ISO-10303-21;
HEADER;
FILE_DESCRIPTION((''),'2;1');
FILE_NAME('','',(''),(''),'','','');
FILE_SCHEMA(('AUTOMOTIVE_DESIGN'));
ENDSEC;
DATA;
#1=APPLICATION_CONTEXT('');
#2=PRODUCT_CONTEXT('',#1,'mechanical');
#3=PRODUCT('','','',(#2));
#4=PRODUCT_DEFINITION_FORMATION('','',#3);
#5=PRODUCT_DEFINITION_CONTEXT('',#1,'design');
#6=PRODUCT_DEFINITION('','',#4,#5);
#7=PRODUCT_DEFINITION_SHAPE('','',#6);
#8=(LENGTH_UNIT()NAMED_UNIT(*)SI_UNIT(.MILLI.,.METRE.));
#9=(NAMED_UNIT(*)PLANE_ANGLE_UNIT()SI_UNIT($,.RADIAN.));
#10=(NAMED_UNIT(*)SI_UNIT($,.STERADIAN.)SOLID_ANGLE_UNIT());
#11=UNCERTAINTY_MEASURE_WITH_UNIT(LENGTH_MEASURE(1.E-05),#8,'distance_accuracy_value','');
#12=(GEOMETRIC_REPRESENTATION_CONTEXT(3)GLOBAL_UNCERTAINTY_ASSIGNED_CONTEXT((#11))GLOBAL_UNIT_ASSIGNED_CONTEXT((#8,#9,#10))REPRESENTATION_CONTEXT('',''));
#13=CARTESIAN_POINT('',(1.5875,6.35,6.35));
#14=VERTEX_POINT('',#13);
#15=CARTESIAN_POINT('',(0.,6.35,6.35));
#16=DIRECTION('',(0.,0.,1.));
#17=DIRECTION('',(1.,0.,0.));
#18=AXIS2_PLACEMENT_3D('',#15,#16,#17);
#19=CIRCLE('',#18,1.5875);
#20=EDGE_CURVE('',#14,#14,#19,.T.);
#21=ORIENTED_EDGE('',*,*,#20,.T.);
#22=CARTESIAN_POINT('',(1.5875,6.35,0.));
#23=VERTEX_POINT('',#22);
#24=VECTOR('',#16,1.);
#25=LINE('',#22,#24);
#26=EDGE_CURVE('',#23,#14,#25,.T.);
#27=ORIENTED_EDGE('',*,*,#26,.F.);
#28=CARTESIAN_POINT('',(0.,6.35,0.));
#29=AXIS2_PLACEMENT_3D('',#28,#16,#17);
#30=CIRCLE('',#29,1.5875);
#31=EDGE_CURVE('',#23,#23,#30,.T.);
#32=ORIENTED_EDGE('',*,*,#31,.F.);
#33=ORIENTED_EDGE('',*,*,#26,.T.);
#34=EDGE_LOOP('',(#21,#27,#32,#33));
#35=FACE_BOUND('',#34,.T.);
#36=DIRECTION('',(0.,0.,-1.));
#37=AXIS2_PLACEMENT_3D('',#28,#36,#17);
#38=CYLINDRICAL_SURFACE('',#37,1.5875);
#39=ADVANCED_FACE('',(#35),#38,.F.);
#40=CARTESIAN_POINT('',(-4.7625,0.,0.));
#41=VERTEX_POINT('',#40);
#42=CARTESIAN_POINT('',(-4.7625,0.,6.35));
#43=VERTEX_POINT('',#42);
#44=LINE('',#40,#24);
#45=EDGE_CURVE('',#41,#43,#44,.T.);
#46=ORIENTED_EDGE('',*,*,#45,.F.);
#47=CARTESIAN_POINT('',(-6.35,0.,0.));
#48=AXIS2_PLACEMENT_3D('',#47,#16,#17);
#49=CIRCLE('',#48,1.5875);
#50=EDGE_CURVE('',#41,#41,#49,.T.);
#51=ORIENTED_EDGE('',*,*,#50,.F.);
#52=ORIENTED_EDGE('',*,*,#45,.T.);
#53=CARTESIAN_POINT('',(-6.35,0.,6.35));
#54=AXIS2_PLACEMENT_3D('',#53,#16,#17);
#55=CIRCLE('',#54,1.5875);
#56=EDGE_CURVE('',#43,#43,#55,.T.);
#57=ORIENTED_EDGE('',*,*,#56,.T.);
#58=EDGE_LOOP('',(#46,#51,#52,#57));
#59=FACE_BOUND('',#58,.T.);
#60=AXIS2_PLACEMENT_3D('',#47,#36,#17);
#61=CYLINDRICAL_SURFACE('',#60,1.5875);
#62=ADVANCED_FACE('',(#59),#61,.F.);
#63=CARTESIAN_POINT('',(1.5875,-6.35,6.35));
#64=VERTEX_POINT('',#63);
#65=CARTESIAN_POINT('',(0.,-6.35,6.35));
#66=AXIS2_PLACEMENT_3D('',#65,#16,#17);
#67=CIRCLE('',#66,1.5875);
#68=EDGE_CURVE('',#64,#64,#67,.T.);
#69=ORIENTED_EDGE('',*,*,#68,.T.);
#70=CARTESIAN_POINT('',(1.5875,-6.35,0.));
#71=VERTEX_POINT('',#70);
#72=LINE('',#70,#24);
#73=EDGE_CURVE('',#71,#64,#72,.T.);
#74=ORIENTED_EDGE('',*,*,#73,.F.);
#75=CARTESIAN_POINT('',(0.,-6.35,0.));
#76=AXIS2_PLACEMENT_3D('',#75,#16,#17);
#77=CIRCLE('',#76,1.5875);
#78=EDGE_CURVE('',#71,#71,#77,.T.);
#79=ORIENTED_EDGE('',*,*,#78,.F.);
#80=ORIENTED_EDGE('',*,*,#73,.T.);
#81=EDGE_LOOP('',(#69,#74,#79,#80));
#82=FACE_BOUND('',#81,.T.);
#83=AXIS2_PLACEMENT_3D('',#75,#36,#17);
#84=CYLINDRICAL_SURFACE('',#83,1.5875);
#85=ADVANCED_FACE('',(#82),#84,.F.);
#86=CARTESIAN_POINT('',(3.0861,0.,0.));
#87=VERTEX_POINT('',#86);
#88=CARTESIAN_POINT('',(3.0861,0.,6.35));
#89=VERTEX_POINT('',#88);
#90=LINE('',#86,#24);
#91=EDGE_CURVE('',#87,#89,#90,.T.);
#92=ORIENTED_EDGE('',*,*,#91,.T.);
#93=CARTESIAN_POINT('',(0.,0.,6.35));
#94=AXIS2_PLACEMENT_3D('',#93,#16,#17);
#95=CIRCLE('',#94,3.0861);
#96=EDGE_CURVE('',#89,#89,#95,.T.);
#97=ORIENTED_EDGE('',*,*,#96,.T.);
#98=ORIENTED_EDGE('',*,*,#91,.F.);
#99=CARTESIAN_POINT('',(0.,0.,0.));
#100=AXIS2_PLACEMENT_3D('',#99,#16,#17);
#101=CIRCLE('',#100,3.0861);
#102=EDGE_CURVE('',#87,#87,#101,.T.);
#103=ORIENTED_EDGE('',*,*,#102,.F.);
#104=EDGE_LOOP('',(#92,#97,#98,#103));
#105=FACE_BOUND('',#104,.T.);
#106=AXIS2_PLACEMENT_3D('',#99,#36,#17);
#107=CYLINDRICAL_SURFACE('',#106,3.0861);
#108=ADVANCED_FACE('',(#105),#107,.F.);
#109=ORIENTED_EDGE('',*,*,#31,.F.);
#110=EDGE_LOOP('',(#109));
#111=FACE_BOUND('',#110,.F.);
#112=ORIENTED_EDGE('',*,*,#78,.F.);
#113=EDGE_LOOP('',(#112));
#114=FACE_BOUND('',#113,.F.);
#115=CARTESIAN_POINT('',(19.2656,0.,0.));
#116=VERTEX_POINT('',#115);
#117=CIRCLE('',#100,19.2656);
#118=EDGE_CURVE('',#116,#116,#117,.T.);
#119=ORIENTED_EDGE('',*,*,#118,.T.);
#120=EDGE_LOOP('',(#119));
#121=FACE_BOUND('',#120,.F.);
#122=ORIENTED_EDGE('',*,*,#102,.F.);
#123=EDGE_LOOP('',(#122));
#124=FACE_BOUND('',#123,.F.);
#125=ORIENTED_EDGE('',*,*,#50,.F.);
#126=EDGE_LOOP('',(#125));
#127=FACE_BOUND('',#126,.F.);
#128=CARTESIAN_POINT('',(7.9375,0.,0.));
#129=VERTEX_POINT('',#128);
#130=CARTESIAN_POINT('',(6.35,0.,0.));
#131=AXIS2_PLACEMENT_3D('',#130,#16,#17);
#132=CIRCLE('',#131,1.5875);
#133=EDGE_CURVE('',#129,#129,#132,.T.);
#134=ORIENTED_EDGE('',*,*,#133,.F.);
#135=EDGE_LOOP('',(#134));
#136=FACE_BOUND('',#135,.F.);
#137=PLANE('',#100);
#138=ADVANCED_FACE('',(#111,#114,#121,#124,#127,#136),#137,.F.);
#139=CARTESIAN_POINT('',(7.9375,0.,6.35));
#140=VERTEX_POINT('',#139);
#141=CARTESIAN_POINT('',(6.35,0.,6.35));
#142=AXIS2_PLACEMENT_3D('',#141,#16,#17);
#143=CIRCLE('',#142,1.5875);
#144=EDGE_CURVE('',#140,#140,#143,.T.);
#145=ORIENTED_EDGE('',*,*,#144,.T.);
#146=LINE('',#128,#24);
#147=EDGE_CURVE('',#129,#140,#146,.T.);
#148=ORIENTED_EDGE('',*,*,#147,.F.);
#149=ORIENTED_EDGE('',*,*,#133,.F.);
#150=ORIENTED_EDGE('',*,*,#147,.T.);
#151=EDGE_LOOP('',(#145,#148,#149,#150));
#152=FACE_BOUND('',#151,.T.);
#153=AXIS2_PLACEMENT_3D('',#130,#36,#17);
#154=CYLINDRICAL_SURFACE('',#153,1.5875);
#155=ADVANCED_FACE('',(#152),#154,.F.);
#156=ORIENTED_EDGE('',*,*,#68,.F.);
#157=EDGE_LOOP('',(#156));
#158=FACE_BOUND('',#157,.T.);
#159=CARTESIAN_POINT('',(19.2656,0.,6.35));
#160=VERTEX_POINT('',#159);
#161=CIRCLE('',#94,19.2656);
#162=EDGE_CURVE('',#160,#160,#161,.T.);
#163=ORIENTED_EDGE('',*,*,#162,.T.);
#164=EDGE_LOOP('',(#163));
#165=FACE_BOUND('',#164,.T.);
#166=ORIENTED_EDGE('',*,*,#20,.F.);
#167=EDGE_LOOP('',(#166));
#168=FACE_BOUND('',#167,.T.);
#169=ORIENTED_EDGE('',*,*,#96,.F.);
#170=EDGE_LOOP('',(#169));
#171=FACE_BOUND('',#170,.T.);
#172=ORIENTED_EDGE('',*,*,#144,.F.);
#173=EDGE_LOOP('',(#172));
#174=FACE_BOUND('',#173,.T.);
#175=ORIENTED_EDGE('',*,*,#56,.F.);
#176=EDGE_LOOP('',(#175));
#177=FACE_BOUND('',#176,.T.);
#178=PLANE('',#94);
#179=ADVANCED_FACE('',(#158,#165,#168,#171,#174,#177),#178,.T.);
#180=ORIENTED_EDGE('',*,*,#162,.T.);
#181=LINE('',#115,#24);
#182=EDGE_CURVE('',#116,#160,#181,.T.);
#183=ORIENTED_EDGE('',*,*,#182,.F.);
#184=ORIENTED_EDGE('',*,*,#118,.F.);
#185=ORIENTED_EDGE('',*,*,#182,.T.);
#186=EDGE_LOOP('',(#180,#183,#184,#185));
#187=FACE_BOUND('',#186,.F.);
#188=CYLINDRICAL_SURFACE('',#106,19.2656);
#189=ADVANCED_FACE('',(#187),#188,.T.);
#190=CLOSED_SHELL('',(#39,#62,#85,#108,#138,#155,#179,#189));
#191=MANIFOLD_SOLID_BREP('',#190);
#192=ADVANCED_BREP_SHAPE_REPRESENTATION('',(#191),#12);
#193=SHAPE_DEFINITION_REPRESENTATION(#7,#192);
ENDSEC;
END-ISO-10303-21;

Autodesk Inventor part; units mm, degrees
ref_plane "YZ Plane" through (0, 0, 0) normal (1, 0, 0) x (0, 1, 0)
ref_plane "XZ Plane" through (0, 0, 0) normal (0, 1, 0) x (-1, 0, 0)
ref_plane "XY Plane" through (0, 0, 0) normal (0, 0, 1) x (1, 0, 0)
ref_plane "Work Plane1" through (0, 0, 0) normal (0, 0, 1) x (1, 0, 0)
sketch "Sketch1" plane through (0, 0, 0) normal (0, 0, 1) x (1, 0, 0)
  circle A0 centre (0, 0) radius 3.0861 projected
  circle A1 centre (6.35, 0) radius 1.5875 projected
  circle A2 centre (0, 6.35) radius 1.5875 projected
  circle A3 centre (-6.35, 0) radius 1.5875 projected
  circle A4 centre (0, -6.35) radius 1.5875 projected
  circle A5 centre (0, 0) radius 19.2656
  point P0 (0, 0)
extrude "Extrusion1" add sketch "Sketch1" along normal blind 6.35
properties part number "smallGearMag01"
